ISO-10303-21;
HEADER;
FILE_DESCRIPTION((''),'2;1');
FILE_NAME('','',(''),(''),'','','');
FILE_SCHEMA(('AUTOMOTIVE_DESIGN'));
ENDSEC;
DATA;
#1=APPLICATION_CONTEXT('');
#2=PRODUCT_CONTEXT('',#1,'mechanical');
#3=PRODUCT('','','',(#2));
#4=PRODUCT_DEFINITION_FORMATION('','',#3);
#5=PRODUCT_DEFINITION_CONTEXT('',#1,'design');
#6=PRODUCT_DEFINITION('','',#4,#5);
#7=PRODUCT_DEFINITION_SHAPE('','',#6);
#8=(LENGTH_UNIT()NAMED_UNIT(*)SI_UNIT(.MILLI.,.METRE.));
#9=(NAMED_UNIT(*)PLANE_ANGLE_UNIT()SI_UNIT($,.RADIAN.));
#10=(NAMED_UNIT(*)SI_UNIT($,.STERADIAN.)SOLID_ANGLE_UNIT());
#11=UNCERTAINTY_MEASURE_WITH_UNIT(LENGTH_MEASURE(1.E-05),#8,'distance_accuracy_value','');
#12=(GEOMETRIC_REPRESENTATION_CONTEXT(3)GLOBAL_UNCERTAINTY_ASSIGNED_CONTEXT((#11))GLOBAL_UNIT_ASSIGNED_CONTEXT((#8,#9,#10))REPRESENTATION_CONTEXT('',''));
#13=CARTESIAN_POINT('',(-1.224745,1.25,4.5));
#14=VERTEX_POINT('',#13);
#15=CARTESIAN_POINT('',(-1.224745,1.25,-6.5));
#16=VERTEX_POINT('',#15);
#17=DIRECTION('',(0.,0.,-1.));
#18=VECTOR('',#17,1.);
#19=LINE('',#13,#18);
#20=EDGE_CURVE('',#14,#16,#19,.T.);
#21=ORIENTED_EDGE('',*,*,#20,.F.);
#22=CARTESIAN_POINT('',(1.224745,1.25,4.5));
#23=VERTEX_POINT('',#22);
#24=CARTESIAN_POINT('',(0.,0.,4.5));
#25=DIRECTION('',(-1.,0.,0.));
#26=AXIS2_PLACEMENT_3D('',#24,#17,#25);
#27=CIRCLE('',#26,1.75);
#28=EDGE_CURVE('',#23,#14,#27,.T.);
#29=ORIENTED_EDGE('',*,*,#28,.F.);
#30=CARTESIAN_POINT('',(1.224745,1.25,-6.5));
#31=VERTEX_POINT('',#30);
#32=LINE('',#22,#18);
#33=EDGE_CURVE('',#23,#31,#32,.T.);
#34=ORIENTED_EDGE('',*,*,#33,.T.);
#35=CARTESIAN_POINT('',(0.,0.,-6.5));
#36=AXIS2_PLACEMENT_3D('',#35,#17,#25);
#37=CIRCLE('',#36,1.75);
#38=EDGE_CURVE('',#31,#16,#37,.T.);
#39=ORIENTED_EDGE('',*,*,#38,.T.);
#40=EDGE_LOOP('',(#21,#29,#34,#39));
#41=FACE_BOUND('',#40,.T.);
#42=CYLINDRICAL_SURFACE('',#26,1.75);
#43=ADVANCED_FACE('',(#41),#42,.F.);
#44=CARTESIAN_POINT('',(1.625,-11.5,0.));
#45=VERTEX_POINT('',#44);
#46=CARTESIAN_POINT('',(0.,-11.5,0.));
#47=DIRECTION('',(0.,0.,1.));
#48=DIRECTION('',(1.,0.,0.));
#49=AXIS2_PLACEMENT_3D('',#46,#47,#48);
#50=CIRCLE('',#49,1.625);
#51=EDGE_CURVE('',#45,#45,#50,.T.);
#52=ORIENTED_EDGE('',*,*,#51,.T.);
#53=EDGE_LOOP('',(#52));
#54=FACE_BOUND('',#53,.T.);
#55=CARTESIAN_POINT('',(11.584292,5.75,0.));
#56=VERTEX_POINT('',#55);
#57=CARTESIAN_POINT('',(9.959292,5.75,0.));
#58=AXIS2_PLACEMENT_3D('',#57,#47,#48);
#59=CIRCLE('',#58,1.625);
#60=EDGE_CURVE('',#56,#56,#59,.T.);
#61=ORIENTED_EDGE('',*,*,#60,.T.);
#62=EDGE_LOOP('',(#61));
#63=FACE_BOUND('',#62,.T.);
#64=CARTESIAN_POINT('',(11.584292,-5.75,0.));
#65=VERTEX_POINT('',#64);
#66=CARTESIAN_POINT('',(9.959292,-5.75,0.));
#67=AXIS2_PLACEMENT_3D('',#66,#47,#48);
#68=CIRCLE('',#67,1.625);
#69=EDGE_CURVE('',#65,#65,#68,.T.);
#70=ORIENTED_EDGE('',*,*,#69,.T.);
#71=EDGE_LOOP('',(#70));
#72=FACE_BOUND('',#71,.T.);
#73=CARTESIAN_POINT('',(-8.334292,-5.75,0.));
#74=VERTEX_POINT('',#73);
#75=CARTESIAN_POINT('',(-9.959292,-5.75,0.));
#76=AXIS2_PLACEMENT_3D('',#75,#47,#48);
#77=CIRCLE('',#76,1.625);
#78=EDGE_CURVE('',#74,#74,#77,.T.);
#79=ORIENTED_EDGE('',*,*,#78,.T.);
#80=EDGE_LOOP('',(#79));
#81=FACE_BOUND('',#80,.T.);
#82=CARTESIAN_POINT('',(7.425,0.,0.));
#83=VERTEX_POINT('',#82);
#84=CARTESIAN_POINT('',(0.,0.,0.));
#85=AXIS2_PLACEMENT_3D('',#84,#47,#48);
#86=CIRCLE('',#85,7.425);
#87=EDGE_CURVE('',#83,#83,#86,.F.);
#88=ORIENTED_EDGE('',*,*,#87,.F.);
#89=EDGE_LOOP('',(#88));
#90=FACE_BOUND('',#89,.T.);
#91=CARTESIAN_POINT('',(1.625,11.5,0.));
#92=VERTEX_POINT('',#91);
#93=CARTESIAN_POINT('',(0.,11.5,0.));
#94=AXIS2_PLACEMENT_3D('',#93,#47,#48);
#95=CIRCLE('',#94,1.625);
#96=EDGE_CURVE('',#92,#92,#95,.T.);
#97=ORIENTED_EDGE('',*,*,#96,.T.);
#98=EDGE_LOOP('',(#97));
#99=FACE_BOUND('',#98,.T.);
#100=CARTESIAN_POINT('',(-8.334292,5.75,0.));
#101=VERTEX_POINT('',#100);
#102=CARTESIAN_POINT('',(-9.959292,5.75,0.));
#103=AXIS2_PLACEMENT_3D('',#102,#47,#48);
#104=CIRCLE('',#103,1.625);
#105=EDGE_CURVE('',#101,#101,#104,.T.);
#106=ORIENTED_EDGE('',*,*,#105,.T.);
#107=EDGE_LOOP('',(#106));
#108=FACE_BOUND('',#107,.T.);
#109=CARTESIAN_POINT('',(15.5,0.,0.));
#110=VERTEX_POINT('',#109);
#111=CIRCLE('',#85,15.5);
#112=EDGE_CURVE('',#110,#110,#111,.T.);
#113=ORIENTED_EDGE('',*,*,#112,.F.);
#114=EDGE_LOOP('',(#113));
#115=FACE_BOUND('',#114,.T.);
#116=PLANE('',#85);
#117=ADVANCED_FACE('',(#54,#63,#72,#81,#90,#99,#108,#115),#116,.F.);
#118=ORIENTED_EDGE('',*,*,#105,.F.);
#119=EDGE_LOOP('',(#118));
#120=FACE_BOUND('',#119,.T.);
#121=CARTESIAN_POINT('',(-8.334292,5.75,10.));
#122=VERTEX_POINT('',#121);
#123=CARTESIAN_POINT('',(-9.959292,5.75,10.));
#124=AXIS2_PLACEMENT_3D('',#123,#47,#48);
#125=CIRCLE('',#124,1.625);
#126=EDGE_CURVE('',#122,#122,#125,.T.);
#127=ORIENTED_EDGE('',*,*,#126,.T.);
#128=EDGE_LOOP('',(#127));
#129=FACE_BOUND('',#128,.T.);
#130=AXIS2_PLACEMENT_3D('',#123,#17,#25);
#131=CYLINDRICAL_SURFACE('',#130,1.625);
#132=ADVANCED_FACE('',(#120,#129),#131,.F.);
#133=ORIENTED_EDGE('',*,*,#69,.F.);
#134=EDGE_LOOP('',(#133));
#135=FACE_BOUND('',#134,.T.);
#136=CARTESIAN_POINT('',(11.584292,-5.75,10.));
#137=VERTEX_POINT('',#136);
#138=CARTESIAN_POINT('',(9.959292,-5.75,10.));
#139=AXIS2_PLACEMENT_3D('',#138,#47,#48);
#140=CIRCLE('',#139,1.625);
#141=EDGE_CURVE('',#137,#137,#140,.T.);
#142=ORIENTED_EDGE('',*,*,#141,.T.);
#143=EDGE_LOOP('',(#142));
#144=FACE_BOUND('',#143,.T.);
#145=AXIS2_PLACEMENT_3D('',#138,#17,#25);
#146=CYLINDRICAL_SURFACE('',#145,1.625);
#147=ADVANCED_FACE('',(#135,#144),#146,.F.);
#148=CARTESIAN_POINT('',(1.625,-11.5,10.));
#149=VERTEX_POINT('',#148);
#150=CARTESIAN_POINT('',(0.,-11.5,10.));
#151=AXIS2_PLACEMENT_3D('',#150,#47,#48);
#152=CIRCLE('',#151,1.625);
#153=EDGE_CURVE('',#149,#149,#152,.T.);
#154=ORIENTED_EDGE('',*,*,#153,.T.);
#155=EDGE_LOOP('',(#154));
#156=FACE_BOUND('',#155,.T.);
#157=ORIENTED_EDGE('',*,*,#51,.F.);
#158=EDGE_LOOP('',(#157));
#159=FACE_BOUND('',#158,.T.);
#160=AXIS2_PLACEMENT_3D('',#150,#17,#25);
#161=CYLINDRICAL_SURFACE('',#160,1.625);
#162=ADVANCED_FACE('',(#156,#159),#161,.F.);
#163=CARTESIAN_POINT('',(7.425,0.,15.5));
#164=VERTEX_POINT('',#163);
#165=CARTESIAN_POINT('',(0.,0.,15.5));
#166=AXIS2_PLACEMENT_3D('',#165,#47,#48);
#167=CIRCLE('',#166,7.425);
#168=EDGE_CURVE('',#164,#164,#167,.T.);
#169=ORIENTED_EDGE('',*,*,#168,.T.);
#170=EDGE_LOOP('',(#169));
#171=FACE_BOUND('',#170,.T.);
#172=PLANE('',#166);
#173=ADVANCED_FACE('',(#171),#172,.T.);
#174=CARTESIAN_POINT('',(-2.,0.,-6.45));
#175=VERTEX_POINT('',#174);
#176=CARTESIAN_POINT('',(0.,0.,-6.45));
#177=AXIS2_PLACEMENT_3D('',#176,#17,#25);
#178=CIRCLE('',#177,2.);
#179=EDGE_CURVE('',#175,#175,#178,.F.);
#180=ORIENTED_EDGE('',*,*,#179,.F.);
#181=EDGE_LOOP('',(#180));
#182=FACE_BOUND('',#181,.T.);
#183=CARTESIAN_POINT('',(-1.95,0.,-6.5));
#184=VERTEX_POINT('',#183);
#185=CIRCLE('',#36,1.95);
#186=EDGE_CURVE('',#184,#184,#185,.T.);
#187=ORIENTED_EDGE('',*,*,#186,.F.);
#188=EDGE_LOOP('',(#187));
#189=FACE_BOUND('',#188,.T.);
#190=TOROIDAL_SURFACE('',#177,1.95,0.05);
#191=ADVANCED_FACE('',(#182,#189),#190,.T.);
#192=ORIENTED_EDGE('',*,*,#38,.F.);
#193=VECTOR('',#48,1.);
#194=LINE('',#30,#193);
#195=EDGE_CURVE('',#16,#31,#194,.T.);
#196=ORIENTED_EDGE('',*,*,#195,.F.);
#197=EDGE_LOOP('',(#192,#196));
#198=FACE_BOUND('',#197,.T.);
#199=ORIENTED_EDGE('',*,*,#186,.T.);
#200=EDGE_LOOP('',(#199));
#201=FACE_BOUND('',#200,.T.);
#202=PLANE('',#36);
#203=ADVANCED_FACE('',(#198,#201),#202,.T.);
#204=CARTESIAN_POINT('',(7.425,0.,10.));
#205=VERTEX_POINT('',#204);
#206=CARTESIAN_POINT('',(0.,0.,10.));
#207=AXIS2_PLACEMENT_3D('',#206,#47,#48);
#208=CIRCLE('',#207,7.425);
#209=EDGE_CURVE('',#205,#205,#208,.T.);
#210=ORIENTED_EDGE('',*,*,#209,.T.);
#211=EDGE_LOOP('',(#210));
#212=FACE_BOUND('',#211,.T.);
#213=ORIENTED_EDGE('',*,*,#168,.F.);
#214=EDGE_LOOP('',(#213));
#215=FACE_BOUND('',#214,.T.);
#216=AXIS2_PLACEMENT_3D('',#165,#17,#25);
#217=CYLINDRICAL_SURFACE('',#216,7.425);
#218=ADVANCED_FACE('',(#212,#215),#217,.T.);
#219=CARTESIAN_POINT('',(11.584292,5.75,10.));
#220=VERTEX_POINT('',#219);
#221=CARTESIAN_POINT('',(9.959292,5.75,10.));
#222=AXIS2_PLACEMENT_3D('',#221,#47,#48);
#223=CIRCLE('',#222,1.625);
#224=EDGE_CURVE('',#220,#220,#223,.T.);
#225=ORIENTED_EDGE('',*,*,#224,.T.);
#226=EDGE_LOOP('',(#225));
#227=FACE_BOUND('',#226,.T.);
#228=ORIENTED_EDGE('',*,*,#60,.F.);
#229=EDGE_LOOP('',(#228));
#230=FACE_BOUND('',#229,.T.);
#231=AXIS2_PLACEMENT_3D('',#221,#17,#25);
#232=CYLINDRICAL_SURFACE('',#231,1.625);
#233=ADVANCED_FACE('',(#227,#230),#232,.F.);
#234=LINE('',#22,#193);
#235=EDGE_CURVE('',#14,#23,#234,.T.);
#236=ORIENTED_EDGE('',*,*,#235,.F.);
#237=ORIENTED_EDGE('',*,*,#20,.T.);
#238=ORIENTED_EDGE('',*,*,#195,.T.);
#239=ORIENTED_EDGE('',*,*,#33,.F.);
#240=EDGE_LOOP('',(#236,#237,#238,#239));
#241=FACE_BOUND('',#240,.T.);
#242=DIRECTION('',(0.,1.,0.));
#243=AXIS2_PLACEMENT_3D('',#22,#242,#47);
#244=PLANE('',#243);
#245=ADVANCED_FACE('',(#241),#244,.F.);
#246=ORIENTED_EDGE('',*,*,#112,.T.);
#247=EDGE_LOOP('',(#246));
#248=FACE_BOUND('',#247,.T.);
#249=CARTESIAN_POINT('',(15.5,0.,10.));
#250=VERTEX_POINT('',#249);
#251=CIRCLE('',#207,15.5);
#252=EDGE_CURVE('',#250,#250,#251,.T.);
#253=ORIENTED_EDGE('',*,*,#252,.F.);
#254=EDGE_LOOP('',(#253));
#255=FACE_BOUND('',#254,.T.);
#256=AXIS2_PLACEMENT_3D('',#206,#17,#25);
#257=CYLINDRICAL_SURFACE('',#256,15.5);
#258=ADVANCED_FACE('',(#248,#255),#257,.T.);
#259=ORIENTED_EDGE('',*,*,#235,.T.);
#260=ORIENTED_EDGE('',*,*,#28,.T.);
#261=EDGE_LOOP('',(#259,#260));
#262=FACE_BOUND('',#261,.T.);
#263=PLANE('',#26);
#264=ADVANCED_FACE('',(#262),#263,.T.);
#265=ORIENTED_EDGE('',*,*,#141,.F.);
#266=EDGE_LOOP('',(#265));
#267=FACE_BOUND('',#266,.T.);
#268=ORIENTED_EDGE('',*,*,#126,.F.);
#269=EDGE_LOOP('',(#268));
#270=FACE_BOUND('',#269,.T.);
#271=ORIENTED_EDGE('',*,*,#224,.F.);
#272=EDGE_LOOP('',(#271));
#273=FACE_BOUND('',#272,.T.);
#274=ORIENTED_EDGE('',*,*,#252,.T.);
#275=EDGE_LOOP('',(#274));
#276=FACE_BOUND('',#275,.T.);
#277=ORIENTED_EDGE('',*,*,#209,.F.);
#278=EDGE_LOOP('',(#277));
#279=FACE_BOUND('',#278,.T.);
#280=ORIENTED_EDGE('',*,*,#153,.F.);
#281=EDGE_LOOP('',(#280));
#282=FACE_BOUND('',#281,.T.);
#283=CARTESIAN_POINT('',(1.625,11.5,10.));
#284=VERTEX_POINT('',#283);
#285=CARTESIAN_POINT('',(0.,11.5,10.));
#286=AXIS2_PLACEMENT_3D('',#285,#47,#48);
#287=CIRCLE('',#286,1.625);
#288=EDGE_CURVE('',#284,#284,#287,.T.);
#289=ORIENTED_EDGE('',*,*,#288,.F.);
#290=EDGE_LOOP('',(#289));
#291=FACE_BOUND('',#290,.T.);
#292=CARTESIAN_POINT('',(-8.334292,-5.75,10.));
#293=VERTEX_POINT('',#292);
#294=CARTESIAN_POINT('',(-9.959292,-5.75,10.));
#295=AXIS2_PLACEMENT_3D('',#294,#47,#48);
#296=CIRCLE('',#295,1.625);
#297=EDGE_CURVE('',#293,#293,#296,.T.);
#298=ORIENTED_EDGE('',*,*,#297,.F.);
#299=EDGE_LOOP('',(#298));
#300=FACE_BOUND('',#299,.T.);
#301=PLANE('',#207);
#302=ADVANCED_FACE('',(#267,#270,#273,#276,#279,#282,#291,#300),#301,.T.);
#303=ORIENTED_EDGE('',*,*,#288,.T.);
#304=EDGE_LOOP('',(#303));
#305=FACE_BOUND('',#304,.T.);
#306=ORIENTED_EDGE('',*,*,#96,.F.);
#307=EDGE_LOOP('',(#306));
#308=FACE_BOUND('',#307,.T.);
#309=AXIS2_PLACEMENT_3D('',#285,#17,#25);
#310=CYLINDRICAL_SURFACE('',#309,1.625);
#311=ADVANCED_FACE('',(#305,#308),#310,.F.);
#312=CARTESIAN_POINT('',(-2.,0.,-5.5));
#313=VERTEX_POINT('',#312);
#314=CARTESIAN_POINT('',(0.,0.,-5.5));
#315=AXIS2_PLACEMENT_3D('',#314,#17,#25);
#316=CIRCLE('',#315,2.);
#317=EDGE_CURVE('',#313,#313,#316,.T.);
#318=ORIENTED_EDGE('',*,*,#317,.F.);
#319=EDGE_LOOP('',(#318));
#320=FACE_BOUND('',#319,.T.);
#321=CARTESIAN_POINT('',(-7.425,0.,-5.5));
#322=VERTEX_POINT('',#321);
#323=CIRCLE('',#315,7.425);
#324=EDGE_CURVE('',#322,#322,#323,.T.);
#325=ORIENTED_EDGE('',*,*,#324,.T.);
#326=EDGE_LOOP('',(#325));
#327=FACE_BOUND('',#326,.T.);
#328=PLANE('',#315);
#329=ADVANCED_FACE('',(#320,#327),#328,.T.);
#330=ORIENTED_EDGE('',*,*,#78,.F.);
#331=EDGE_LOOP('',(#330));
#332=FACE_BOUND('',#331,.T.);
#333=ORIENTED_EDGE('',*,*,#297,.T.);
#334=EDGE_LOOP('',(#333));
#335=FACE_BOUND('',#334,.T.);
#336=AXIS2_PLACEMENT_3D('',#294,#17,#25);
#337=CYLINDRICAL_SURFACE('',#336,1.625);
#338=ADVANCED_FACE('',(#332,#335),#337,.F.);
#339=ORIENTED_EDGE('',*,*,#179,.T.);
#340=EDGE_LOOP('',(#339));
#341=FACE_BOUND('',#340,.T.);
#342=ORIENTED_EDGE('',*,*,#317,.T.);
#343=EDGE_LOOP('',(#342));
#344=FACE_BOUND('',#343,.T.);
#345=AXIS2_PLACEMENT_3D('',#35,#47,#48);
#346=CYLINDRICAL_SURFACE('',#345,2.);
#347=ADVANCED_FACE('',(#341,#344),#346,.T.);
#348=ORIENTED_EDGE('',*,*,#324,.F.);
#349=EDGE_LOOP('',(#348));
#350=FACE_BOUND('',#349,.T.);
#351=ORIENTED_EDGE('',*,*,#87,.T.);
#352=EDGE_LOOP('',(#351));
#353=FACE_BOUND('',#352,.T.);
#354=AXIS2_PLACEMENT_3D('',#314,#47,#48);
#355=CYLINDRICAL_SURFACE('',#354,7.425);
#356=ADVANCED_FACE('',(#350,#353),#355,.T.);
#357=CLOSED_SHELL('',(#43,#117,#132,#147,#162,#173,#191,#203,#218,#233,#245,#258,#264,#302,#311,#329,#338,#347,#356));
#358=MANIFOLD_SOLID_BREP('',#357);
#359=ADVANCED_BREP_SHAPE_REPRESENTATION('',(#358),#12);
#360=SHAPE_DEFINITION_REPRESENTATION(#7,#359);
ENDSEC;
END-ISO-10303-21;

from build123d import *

# Parameters (mm, degrees)
SKETCH2_R           = 15.5
SKETCH2_R_2         = 1.625
BOSS_EXTRUDE1_DEPTH = 10
SKETCH3_R           = 7.425
BOSS_EXTRUDE2_DEPTH = 5.5
BOSS_EXTRUDE4_START = 5.5
SKETCH6_R           = 7.425
BOSS_EXTRUDE4_DEPTH = 5.5
SKETCH7_R           = 2
BOSS_EXTRUDE5_DEPTH = 1
FILLET2_R           = 0.05
CUT_EXTRUDE1_DEPTH  = 11


with BuildPart() as part:
    # Sketch2 → Boss-Extrude1 (new body)
    with BuildSketch(Plane.XY):
        Circle(SKETCH2_R)
        with Locations((0, 11.5)):
            Circle(SKETCH2_R_2, mode=Mode.SUBTRACT)
        with Locations((9.959292144, 5.75)):
            Circle(SKETCH2_R_2, mode=Mode.SUBTRACT)
        with Locations((9.959292144, -5.75)):
            Circle(SKETCH2_R_2, mode=Mode.SUBTRACT)
        with Locations((0, -11.5)):
            Circle(SKETCH2_R_2, mode=Mode.SUBTRACT)
        with Locations((-9.959292144, -5.75)):
            Circle(SKETCH2_R_2, mode=Mode.SUBTRACT)
        with Locations((-9.959292144, 5.75)):
            Circle(SKETCH2_R_2, mode=Mode.SUBTRACT)
    extrude(amount=BOSS_EXTRUDE1_DEPTH)

    # Sketch3 → Boss-Extrude2 (add)
    with BuildSketch(Plane.XY.offset(10)):
        Circle(SKETCH3_R)
    extrude(amount=BOSS_EXTRUDE2_DEPTH)

    # Sketch6 → Boss-Extrude4 (add)
    with BuildSketch(Plane(origin=(0, 0, 0), x_dir=(-1, 0, 0), z_dir=(0, 0, -1)).offset(BOSS_EXTRUDE4_START)):
        with Locations(Location((0, 0, 0), (0, 0, 180))):
            Circle(SKETCH6_R)
    extrude(amount=-BOSS_EXTRUDE4_DEPTH)

    # Sketch7 → Boss-Extrude5 (add)
    with BuildSketch(Plane(origin=(0, 0, -5.5), x_dir=(-1, 0, 0), z_dir=(0, 0, -1))):
        Circle(SKETCH7_R)
    extrude(amount=BOSS_EXTRUDE5_DEPTH)

    # Fillet2
    fillet2_edges = [part.edges().sort_by_distance(p)[0] for p in [
        (2, 0, -6.5),
    ]]
    fillet(fillet2_edges, radius=FILLET2_R)

    # Sketch9 → Cut-Extrude1 (cut)
    with BuildSketch(Plane(origin=(0, 0, -6.5), x_dir=(-1, 0, 0), z_dir=(0, 0, -1))):
        with BuildLine():
            Line((-1.224744871, 1.25), (1.224744871, 1.25))
            ThreePointArc((1.224744871, 1.25), (0, -1.75), (-1.224744871, 1.25))
        make_face()
    extrude(amount=-CUT_EXTRUDE1_DEPTH, mode=Mode.SUBTRACT)


solid = part.part
